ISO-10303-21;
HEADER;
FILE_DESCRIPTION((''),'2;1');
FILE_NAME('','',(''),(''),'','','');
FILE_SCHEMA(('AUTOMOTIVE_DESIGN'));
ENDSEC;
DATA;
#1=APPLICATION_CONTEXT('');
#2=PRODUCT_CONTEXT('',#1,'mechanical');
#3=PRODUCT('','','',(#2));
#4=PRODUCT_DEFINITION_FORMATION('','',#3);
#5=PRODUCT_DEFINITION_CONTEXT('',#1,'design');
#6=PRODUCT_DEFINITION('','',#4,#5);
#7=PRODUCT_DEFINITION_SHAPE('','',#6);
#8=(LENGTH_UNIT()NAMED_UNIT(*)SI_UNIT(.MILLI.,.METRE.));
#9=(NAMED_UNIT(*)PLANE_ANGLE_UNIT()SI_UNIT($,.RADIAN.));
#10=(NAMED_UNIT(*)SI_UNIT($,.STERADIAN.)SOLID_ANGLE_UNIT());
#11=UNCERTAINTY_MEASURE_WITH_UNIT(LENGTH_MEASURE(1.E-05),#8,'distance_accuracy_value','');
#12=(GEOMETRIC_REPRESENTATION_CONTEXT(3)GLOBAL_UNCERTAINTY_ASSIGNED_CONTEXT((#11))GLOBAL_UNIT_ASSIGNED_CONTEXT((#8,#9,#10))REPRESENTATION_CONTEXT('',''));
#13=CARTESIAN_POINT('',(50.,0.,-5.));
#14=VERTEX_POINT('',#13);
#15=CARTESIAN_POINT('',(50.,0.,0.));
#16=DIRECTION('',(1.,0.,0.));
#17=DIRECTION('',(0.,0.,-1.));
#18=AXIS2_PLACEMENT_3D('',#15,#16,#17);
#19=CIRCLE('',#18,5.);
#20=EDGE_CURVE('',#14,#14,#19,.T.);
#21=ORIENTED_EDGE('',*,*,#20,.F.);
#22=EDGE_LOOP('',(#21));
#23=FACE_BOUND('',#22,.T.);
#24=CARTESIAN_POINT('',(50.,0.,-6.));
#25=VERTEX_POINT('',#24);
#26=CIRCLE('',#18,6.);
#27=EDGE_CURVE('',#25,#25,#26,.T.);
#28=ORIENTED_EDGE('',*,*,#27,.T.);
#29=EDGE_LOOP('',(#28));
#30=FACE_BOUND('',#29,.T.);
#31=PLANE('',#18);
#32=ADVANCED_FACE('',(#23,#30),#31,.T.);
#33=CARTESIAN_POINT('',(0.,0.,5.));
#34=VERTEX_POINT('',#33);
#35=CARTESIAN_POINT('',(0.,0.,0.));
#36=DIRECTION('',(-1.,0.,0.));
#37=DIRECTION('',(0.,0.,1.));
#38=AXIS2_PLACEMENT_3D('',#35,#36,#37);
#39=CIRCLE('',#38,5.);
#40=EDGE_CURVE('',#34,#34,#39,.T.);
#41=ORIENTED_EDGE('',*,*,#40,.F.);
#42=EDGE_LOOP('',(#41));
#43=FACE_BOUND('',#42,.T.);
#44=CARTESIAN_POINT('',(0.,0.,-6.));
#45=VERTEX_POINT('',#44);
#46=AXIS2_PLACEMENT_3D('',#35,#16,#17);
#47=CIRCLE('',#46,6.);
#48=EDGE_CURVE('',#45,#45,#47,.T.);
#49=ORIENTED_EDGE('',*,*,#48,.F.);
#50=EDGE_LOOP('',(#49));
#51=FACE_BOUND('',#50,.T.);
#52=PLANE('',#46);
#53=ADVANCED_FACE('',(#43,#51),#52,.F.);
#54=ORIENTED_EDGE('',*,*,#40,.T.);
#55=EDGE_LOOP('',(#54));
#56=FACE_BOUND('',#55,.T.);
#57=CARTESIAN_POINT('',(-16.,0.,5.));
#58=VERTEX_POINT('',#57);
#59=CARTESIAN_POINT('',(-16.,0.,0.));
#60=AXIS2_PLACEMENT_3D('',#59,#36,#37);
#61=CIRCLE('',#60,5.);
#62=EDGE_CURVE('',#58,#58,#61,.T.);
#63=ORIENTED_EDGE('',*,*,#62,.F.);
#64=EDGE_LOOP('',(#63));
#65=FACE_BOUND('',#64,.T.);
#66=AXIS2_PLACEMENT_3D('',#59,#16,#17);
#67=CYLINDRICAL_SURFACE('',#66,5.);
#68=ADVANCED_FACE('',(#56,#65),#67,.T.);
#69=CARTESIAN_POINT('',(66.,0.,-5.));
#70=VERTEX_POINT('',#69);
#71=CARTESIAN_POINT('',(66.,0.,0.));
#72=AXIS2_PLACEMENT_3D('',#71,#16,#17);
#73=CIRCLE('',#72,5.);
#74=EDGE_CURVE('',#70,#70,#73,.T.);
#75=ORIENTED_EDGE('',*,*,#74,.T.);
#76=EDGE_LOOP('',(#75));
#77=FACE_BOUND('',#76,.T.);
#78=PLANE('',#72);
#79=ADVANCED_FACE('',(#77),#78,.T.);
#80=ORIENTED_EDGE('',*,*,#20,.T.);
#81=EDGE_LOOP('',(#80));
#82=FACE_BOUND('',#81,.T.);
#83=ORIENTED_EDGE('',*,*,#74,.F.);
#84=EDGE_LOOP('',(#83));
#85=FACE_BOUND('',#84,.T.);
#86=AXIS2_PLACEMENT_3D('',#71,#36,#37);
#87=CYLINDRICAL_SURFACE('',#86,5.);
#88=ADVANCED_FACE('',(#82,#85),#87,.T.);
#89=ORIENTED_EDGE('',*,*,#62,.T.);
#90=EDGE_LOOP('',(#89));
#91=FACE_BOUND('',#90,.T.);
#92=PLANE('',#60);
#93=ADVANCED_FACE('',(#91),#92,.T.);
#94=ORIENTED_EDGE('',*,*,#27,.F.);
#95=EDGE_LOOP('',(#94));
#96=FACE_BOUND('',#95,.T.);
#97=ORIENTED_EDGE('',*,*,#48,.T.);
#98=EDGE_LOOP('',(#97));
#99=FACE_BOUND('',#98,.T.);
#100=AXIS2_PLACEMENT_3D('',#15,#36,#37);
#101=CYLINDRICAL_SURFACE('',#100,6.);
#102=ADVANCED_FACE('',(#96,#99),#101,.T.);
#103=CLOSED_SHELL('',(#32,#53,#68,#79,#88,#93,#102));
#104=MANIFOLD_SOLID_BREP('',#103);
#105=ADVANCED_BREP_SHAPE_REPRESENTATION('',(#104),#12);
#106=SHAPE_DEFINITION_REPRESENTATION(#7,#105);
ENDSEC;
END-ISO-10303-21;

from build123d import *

# Parameters (mm, degrees)
IZIM1_R                     = 6
Y_KSEKLIK_EKSTR_ZYON1_DEPTH = 50
IZIM2_R                     = 5
Y_KSEKLIK_EKSTR_ZYON2_DEPTH = 16
IZIM3_R                     = 5
Y_KSEKLIK_EKSTR_ZYON3_DEPTH = 16


with BuildPart() as part:
    # Çizim1 → Yükseklik-Ekstrüzyon1 (new body)
    with BuildSketch(Plane(origin=(0, 0, 0), x_dir=(0, 0, -1), z_dir=(1, 0, 0))):
        Circle(IZIM1_R)
    extrude(amount=Y_KSEKLIK_EKSTR_ZYON1_DEPTH)

    # Çizim2 → Yükseklik-Ekstrüzyon2 (add)
    with BuildSketch(Plane.ZY):
        Circle(IZIM2_R)
    extrude(amount=Y_KSEKLIK_EKSTR_ZYON2_DEPTH)

    # Çizim3 → Yükseklik-Ekstrüzyon3 (add)
    with BuildSketch(Plane(origin=(50, 0, 0), x_dir=(0, 0, -1), z_dir=(1, 0, 0))):
        Circle(IZIM3_R)
    extrude(amount=Y_KSEKLIK_EKSTR_ZYON3_DEPTH)


solid = part.part
